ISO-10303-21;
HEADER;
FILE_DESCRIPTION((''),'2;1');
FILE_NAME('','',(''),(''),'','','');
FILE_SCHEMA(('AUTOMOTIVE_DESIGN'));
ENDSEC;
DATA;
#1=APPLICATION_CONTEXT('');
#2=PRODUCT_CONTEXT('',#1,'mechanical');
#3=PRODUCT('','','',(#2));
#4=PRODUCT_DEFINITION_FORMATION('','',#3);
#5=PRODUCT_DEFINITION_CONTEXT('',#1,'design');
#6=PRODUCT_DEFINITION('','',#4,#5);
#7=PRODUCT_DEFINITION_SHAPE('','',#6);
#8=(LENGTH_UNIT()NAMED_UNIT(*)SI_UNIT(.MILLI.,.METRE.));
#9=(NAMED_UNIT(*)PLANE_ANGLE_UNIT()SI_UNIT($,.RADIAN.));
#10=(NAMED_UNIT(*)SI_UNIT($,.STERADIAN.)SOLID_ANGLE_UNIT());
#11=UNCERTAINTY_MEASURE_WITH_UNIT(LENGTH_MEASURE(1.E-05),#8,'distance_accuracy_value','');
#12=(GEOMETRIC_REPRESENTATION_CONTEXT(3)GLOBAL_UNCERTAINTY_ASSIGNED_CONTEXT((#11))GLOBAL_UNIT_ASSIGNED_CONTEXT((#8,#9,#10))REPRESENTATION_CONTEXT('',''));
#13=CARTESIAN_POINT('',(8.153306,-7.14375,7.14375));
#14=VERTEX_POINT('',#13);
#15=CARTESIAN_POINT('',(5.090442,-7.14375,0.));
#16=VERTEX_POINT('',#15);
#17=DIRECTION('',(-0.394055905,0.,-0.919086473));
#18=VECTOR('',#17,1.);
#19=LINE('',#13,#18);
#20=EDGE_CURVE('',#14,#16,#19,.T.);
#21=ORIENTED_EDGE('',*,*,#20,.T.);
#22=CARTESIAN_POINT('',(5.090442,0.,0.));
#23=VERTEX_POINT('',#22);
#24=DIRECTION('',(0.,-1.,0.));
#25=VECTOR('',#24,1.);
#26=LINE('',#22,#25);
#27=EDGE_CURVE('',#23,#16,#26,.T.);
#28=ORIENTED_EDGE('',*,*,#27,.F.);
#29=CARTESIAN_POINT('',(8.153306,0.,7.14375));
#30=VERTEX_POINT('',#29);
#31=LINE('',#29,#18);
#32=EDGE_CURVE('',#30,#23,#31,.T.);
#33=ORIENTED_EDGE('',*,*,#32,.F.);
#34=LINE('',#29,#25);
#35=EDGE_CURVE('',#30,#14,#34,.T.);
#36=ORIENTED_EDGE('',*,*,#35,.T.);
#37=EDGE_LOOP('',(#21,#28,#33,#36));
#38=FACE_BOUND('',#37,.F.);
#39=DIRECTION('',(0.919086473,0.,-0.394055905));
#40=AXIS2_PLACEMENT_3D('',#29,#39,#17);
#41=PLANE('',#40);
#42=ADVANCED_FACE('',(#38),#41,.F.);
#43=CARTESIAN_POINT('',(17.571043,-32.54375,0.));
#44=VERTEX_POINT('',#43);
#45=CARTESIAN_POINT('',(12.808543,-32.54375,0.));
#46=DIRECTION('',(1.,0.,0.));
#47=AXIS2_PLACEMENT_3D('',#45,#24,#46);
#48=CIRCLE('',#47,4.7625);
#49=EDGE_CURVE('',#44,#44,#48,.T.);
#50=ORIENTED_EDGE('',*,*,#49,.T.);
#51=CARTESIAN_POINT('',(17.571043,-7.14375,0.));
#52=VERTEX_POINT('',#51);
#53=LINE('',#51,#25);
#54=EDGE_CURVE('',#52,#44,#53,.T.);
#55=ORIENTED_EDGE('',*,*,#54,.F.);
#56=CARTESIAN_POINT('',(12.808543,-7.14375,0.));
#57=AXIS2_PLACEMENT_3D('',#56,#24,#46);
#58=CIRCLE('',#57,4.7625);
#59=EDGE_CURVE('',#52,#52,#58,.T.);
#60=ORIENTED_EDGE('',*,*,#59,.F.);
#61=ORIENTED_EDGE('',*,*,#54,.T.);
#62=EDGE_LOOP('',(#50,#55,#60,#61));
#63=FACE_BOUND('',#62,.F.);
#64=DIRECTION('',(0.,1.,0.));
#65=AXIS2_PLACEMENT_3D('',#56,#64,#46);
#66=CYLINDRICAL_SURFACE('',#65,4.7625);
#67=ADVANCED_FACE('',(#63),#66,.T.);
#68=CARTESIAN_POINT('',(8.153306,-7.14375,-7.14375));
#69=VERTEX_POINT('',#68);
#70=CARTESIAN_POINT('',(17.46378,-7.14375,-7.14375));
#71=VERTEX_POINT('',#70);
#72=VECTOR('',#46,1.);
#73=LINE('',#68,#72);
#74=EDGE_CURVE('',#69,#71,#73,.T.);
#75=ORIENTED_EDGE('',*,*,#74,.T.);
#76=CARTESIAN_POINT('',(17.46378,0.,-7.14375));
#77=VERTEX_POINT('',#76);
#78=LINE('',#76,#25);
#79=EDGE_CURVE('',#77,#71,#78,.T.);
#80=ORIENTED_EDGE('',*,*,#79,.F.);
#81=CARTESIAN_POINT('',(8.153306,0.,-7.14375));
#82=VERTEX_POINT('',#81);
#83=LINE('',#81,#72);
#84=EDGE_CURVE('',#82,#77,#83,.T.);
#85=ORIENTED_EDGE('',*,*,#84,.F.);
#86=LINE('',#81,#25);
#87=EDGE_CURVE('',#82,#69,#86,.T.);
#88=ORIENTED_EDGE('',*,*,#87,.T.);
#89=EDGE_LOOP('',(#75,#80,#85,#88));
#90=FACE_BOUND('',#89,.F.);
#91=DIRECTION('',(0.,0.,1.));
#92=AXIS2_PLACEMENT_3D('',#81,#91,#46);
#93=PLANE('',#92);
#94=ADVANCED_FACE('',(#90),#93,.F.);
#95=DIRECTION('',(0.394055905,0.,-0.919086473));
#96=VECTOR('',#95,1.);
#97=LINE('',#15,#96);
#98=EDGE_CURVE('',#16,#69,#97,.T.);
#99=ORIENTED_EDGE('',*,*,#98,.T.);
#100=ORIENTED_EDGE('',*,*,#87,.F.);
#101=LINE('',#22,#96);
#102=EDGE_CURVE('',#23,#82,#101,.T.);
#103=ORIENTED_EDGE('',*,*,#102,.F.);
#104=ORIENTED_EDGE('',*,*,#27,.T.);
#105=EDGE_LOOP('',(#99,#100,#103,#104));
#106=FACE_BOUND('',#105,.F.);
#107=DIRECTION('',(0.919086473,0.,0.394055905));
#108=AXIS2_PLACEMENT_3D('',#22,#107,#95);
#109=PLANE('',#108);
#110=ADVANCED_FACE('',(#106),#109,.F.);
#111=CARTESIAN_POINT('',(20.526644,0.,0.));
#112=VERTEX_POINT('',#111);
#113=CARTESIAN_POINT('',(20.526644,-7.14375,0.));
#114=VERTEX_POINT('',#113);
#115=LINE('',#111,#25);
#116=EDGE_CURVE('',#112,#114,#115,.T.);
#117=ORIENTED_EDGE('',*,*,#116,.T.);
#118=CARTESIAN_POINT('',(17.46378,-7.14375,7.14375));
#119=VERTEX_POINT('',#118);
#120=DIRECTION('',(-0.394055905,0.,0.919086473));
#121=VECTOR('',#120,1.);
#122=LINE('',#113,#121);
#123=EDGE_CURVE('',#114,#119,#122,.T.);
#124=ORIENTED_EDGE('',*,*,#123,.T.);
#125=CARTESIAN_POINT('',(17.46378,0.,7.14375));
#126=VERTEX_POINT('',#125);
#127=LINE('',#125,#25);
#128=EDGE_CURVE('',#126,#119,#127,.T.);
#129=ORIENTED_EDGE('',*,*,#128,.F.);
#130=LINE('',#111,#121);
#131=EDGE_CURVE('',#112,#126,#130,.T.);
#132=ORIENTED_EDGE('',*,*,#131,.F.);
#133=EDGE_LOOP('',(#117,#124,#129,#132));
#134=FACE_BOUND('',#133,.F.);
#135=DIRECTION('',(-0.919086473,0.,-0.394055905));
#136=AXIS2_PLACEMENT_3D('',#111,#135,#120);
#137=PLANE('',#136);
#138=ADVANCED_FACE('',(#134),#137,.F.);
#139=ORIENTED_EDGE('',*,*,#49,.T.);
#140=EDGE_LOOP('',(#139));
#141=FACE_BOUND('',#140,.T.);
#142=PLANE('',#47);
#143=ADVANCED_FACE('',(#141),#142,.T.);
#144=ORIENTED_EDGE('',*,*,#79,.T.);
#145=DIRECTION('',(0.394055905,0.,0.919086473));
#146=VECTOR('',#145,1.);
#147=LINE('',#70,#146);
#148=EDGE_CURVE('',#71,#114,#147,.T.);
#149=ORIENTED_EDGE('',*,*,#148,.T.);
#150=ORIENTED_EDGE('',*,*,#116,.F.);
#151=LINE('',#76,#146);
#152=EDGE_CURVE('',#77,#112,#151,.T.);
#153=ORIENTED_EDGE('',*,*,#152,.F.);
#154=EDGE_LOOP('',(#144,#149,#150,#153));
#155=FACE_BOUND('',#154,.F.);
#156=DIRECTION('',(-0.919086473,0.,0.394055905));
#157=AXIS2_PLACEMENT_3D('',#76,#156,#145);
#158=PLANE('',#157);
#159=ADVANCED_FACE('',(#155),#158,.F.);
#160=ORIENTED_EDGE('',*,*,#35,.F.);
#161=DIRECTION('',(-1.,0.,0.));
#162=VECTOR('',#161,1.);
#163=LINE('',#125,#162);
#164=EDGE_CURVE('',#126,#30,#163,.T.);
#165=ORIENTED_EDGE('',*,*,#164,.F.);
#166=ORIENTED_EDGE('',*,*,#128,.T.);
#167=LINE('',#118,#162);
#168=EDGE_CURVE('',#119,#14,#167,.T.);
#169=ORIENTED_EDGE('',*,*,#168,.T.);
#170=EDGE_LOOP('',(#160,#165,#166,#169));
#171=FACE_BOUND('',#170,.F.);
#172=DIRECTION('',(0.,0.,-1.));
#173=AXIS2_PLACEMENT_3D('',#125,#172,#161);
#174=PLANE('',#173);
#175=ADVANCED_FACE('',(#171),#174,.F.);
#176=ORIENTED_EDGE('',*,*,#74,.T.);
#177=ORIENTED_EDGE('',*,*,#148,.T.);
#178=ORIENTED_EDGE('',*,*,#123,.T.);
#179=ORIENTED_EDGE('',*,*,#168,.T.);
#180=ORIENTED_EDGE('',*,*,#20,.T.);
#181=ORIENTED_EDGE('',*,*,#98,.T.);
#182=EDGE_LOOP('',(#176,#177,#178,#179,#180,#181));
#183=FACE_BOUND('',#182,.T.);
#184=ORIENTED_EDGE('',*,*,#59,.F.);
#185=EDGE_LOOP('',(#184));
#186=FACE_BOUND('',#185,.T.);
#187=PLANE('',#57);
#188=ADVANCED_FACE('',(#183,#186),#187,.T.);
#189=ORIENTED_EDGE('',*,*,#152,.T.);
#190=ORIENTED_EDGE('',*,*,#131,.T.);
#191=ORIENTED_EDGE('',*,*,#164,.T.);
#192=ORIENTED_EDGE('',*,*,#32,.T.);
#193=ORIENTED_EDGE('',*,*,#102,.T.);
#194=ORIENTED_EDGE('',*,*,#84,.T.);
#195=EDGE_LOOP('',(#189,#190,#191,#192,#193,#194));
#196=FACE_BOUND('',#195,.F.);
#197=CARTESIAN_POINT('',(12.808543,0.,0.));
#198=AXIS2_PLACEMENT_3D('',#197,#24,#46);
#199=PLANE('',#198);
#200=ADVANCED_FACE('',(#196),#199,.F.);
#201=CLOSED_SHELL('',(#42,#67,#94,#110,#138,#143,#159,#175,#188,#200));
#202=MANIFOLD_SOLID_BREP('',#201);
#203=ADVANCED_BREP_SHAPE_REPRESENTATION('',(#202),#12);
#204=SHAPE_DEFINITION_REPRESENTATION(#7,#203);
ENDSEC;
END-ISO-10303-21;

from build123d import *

# Parameters (mm, degrees)
F1_DEPTH = 7.14375
F2_R     = 4.7625
F3_DEPTH = 25.4


with BuildPart() as f1:
    # F0 (on Front) → F1 (new body)
    with BuildSketch(Plane.XZ):
        Polygon((17.46378, 7.14375), (8.153306, 7.14375), (5.090442, 0), (8.153306, -7.14375), (17.46378, -7.14375), (20.526644, 0), align=None)
    extrude(amount=F1_DEPTH)

    # F2 (on face) → F3 (join)
    with BuildSketch(Plane.XZ.offset(7.14375)):
        with Locations((12.808543, 0)):
            Circle(F2_R)
    extrude(amount=F3_DEPTH)


solid = f1.part
